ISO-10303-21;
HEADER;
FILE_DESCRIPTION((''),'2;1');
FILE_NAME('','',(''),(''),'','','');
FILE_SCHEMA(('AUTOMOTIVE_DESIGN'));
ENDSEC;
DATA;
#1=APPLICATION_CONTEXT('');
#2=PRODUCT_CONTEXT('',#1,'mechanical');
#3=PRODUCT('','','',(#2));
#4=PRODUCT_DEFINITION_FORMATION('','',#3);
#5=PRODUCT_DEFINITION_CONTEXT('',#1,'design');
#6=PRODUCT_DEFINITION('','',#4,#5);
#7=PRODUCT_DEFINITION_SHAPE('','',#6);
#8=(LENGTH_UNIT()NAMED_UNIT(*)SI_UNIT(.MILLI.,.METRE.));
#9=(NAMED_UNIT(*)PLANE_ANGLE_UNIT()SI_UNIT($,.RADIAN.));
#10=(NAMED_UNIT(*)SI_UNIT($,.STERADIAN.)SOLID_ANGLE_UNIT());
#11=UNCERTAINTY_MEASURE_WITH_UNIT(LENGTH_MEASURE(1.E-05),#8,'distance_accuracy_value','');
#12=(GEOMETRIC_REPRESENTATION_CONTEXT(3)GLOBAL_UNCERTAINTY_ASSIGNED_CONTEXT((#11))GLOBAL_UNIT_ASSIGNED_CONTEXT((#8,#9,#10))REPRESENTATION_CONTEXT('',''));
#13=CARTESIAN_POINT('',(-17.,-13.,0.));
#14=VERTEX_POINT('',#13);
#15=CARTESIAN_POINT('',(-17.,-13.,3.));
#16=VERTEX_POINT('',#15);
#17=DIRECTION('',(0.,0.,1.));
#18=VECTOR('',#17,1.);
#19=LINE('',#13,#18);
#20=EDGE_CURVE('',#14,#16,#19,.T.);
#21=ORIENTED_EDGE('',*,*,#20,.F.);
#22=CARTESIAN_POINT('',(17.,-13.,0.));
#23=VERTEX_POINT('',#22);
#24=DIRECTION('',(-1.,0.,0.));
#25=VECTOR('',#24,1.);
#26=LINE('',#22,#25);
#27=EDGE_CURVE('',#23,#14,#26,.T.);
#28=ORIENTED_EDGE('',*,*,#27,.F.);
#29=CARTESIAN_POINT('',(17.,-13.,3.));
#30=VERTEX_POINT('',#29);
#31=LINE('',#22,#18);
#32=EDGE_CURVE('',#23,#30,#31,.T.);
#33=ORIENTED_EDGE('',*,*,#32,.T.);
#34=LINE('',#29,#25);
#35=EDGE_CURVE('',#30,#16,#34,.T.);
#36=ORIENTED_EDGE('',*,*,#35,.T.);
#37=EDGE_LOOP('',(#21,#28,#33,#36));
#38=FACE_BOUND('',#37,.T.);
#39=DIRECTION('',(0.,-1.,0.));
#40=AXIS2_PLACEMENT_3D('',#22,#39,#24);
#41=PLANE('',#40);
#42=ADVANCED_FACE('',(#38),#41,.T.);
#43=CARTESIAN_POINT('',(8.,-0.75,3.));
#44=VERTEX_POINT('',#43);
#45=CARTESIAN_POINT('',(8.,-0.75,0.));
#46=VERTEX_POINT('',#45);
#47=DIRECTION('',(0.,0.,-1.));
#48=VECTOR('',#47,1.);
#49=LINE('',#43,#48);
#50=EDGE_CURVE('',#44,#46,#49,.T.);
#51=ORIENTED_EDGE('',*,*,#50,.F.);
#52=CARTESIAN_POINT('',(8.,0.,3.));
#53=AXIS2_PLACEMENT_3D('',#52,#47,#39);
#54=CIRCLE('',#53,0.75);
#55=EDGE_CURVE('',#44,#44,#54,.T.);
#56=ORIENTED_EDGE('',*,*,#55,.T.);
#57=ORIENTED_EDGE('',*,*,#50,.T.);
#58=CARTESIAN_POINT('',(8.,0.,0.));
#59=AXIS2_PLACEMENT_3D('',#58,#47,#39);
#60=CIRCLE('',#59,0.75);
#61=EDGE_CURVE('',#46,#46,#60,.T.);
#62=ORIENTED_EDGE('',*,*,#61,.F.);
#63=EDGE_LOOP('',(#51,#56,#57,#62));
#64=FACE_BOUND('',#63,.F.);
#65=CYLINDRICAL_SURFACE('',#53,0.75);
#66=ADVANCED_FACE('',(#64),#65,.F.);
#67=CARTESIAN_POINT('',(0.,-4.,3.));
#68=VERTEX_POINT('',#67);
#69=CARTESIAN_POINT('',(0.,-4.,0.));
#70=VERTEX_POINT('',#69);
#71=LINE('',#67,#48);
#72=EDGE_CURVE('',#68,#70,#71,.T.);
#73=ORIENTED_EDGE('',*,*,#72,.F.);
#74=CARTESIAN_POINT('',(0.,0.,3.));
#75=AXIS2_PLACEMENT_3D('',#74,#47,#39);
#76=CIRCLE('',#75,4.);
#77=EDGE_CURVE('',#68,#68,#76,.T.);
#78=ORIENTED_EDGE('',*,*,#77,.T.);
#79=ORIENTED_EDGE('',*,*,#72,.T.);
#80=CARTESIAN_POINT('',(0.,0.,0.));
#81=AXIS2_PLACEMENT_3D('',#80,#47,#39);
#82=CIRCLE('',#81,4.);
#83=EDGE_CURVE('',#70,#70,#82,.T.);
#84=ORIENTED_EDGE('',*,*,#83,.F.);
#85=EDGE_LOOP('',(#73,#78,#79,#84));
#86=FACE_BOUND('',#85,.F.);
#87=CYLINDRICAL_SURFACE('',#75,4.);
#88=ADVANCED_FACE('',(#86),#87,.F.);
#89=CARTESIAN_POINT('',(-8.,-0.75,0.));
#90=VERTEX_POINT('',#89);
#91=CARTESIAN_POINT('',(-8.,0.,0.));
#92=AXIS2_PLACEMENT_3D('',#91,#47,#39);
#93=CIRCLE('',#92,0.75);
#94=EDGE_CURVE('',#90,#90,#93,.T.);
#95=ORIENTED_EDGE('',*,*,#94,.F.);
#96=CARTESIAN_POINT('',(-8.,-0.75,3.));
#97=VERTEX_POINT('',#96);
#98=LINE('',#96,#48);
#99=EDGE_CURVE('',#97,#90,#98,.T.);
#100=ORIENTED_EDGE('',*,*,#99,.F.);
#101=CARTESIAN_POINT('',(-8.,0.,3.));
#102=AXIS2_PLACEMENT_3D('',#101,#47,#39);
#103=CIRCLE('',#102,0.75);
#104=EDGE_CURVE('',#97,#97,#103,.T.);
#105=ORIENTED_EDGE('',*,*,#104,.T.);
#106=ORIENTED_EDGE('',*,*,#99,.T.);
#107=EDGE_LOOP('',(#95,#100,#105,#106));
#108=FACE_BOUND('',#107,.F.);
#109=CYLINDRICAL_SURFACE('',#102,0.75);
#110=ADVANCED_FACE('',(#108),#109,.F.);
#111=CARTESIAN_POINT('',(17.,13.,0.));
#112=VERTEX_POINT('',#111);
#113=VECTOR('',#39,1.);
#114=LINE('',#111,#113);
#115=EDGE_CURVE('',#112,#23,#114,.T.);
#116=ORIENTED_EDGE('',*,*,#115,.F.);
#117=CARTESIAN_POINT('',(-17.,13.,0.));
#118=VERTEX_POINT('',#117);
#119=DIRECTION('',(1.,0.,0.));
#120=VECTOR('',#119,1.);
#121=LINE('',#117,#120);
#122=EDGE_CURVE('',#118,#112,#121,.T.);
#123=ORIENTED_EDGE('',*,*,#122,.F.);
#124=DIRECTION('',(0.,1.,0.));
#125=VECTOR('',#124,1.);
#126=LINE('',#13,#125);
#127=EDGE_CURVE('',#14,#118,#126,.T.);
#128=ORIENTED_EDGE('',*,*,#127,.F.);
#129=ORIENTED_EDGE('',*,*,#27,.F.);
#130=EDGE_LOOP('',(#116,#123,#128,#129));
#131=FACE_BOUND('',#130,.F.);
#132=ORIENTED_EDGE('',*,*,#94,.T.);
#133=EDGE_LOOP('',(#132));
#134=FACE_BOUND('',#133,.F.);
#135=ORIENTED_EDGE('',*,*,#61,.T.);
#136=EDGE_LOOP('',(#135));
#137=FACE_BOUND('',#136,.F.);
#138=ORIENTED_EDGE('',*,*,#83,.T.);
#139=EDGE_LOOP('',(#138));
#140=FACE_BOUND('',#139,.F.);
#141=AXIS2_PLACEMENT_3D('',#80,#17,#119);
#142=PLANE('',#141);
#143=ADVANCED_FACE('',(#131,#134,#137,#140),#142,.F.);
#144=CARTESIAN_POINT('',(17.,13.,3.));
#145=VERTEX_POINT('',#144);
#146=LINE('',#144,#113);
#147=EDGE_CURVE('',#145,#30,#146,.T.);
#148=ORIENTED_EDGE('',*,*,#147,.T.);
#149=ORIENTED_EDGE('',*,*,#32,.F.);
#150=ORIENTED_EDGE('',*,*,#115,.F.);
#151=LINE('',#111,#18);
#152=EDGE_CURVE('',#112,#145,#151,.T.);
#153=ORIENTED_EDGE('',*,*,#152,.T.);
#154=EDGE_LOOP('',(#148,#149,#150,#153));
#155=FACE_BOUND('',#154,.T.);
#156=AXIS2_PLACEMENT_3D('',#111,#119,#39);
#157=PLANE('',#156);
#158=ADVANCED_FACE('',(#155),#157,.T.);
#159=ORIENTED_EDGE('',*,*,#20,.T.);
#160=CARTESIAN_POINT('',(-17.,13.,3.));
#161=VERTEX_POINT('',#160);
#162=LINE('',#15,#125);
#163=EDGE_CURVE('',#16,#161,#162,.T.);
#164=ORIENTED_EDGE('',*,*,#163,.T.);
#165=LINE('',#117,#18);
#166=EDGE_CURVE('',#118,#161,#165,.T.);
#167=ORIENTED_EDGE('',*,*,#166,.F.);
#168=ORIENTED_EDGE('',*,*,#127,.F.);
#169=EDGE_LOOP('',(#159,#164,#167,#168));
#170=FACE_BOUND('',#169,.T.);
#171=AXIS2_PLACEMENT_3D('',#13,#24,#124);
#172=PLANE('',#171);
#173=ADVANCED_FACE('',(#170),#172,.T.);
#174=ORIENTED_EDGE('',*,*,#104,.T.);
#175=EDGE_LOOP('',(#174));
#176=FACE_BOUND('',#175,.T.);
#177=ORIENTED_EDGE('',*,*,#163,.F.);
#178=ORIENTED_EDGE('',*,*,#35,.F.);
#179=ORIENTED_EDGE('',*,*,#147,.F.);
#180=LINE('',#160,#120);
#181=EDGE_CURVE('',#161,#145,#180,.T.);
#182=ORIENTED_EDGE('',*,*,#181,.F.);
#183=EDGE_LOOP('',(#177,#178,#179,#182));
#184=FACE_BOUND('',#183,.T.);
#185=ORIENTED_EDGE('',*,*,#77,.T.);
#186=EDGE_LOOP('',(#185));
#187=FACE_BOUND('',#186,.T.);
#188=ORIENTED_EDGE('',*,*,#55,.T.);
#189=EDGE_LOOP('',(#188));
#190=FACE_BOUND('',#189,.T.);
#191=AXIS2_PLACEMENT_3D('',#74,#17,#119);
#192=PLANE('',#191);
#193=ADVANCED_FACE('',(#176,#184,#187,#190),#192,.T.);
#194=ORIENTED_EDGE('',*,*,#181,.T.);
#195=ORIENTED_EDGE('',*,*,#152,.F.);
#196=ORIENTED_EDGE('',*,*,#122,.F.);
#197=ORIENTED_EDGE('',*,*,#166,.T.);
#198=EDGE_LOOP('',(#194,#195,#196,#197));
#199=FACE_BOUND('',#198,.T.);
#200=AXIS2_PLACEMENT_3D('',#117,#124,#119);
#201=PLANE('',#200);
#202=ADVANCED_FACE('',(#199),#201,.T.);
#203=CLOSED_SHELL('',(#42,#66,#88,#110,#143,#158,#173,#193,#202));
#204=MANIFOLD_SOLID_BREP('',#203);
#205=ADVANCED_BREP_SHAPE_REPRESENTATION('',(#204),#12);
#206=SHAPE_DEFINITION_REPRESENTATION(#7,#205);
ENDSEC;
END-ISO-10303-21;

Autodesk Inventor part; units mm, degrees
ref_plane "YZ Plane" through (0, 0, 0) normal (1, 0, 0) x (0, 1, 0)
ref_plane "XZ Plane" through (0, 0, 0) normal (0, 1, 0) x (-1, 0, 0)
ref_plane "XY Plane" through (0, 0, 0) normal (0, 0, 1) x (1, 0, 0)
sketch "Sketch1" plane through (0, 0, 0) normal (0, 0, 1) x (1, 0, 0)
  line L0 (17, -13) -> (-17, -13)
  line L1 (-17, -13) -> (-17, 13)
  line L2 (-17, 13) -> (17, 13)
  line L3 (17, 13) -> (17, -13)
  line L4 (17, -13) -> (-17, 13) construction
  line L5 (-17, -13) -> (17, 13) construction
  point P0 (0, 0)
  dimension "d0" = 34
  dimension "d1" = 26
extrude "Extrusion1" add sketch "Sketch1" along normal blind 3
sketch "Sketch3" plane through (0, 0, 3) normal (0, 0, 1) x (1, 0, 0)
  point P0 (0, 0)
  point P1 (-8, 0)
  point P2 (8, 0)
  point P3 (0, 6)
  point P4 (0, -6)
  dimension "d4" = 12
  dimension "d5" = 16
  dimension "d6" = 8
  dimension "d7" = 6
hole "Hole1" at (-8, 0, 3) at (8, 0, 3) direction (0, 0, -1) diameter 1.5 end through all
sketch "Sketch4" plane through (0, 0, 3) normal (0, 0, 1) x (1, 0, 0)
  point P0 (0, 0)
  point P1 (0, 0)
hole "Hole2" at (0, 0, 3) direction (0, 0, -1) diameter 8 end through all
equation "\"d6\" = 0.5 * d5"
equation "\"d7\" = 0.5 * d4"
properties part number "Firewall" material "Plywood"
